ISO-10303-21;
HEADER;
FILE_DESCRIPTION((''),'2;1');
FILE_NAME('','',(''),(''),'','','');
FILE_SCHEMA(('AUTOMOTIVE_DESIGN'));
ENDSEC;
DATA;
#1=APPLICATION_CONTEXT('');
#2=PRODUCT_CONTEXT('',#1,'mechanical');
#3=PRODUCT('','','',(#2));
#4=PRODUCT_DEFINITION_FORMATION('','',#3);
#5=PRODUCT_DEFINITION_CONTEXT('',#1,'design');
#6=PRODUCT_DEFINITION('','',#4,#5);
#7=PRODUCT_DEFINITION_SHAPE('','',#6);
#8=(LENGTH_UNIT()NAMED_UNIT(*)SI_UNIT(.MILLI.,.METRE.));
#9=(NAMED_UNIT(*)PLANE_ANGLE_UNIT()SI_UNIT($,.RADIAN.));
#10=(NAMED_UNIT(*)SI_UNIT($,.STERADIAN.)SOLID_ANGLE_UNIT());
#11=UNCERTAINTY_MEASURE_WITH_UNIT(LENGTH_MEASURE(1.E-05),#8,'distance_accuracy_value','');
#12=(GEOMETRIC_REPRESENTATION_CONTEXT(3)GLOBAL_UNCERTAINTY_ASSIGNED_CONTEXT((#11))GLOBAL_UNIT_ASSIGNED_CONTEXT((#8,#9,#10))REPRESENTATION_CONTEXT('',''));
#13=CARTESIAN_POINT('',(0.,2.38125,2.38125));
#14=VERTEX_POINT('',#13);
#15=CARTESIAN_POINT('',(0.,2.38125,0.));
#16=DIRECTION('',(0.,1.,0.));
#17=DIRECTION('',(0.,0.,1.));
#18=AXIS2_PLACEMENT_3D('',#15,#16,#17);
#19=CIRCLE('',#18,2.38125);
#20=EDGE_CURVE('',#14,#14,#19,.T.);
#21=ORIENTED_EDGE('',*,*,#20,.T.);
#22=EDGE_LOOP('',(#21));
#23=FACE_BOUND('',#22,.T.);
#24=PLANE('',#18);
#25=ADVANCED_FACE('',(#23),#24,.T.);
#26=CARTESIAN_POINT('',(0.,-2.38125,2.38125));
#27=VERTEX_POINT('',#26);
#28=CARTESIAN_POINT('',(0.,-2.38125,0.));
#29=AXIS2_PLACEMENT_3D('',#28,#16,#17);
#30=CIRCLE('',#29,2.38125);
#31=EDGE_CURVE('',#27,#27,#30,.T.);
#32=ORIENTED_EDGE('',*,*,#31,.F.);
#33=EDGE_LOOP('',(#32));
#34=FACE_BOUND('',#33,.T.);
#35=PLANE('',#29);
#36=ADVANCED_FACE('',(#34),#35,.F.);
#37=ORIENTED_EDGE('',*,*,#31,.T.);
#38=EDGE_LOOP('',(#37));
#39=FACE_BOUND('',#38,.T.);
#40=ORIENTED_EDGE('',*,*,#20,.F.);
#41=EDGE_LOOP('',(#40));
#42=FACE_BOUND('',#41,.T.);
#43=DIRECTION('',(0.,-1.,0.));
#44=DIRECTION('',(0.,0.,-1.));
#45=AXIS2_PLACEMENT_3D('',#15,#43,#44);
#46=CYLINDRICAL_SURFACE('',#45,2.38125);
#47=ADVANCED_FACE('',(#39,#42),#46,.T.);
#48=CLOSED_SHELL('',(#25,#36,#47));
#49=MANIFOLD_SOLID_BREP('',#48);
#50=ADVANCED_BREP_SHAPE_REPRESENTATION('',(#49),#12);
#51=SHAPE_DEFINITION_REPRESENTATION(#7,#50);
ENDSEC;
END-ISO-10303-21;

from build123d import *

# Parameters (mm, degrees)
SKETCH1_R           = 2.38125
BOSS_EXTRUDE1_DEPTH = 2.38125


with BuildPart() as part:
    # Sketch1 → Boss-Extrude1 (new body, symmetric)
    with BuildSketch(Plane(origin=(0, 0, 0), x_dir=(1, 0, 0), z_dir=(0, 1, 0))):
        Circle(SKETCH1_R)
    extrude(amount=BOSS_EXTRUDE1_DEPTH, both=True)


solid = part.part
